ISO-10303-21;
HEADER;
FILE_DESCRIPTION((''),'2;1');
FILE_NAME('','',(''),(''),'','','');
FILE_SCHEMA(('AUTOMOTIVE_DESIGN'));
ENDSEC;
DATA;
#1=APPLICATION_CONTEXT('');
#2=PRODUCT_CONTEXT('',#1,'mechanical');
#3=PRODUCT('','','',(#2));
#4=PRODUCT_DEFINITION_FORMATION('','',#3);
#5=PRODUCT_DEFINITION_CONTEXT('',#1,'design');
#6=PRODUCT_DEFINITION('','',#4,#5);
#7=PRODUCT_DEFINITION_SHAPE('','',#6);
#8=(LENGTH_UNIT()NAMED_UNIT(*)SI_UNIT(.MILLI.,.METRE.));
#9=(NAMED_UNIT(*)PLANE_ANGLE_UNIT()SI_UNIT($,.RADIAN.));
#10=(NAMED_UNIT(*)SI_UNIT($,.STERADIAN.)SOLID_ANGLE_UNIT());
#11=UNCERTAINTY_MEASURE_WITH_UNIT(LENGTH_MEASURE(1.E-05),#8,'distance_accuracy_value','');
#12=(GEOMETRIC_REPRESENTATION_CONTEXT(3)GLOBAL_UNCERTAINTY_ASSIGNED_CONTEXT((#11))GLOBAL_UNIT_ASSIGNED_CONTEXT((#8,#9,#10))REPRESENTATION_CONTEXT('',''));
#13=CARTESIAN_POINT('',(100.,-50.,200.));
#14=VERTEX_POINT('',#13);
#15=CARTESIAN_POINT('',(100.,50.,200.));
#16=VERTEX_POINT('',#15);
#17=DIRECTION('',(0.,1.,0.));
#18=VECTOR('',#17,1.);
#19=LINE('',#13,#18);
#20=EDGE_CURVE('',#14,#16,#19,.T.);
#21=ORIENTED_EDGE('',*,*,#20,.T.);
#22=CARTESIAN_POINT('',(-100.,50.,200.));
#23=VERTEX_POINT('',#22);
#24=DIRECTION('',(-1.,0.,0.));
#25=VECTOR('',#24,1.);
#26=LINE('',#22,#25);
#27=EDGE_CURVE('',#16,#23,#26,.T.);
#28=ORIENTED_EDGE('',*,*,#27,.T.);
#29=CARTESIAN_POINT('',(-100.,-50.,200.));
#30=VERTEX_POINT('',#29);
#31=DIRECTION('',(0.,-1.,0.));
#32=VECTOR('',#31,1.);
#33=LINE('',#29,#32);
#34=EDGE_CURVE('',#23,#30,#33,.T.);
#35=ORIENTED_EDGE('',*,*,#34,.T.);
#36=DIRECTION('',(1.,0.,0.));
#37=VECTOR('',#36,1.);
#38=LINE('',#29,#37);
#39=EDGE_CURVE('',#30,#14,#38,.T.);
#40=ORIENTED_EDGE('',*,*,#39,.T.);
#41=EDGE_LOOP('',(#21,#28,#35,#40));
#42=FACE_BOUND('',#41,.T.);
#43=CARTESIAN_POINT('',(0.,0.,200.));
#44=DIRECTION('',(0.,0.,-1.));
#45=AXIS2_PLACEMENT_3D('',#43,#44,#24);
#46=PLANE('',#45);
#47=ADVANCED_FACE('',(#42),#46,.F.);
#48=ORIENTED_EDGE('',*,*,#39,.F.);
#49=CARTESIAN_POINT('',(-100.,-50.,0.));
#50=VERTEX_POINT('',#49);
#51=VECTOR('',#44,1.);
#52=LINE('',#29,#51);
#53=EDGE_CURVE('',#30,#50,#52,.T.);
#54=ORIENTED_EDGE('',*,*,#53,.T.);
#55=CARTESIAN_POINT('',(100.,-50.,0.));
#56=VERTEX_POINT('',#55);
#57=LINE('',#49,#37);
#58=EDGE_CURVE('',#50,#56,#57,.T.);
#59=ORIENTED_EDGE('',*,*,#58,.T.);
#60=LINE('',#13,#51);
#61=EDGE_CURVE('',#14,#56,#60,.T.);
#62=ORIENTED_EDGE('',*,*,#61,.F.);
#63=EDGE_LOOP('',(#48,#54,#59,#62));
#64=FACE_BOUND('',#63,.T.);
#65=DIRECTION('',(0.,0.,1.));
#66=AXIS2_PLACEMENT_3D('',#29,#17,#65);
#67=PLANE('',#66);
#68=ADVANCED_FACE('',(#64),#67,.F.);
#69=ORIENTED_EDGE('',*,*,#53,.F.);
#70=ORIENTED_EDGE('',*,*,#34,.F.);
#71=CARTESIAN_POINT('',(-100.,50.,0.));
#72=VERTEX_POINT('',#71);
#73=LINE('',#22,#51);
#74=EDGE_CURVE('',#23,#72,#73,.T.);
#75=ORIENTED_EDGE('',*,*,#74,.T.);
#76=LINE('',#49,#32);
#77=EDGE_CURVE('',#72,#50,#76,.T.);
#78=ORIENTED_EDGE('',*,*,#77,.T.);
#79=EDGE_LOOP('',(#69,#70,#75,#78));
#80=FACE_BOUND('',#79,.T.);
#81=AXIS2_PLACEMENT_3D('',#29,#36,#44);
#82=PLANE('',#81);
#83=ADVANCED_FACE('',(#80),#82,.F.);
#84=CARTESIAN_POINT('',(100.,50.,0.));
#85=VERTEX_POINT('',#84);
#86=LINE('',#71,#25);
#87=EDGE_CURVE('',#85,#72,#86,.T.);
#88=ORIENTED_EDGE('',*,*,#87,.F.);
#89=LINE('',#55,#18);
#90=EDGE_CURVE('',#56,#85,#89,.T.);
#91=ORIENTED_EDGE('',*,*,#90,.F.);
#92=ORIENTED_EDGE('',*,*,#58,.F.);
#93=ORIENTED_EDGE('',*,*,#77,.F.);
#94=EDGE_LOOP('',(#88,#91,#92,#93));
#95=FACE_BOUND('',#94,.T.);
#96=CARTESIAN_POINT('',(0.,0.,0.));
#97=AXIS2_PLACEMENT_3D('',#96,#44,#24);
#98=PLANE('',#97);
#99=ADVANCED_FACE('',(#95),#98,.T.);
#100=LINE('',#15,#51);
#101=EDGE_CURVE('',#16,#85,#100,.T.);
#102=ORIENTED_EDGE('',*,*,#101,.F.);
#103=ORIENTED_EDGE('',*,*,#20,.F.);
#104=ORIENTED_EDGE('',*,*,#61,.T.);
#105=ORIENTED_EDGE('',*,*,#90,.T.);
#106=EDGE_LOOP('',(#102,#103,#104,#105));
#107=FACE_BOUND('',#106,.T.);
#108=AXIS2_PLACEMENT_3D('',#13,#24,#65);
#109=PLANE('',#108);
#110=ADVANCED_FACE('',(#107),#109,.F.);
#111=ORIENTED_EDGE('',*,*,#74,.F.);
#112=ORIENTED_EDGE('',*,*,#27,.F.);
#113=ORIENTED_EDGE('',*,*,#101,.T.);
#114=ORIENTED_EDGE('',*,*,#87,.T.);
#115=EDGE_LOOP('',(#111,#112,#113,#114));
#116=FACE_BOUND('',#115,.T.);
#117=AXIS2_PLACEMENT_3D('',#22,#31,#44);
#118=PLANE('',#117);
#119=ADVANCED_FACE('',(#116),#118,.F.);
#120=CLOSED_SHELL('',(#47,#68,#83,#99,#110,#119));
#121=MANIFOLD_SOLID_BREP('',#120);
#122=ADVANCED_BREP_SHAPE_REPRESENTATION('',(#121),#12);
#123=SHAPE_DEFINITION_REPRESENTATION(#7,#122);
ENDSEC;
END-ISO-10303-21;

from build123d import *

# Parameters (mm, degrees)
SKETCH1_W           = 200
SKETCH1_H           = 100
BOSS_EXTRUDE1_DEPTH = 200


with BuildPart() as part:
    # Sketch1 → Boss-Extrude1 (new body)
    with BuildSketch(Plane.XY):
        Rectangle(SKETCH1_W, SKETCH1_H)
    extrude(amount=BOSS_EXTRUDE1_DEPTH)


solid = part.part
